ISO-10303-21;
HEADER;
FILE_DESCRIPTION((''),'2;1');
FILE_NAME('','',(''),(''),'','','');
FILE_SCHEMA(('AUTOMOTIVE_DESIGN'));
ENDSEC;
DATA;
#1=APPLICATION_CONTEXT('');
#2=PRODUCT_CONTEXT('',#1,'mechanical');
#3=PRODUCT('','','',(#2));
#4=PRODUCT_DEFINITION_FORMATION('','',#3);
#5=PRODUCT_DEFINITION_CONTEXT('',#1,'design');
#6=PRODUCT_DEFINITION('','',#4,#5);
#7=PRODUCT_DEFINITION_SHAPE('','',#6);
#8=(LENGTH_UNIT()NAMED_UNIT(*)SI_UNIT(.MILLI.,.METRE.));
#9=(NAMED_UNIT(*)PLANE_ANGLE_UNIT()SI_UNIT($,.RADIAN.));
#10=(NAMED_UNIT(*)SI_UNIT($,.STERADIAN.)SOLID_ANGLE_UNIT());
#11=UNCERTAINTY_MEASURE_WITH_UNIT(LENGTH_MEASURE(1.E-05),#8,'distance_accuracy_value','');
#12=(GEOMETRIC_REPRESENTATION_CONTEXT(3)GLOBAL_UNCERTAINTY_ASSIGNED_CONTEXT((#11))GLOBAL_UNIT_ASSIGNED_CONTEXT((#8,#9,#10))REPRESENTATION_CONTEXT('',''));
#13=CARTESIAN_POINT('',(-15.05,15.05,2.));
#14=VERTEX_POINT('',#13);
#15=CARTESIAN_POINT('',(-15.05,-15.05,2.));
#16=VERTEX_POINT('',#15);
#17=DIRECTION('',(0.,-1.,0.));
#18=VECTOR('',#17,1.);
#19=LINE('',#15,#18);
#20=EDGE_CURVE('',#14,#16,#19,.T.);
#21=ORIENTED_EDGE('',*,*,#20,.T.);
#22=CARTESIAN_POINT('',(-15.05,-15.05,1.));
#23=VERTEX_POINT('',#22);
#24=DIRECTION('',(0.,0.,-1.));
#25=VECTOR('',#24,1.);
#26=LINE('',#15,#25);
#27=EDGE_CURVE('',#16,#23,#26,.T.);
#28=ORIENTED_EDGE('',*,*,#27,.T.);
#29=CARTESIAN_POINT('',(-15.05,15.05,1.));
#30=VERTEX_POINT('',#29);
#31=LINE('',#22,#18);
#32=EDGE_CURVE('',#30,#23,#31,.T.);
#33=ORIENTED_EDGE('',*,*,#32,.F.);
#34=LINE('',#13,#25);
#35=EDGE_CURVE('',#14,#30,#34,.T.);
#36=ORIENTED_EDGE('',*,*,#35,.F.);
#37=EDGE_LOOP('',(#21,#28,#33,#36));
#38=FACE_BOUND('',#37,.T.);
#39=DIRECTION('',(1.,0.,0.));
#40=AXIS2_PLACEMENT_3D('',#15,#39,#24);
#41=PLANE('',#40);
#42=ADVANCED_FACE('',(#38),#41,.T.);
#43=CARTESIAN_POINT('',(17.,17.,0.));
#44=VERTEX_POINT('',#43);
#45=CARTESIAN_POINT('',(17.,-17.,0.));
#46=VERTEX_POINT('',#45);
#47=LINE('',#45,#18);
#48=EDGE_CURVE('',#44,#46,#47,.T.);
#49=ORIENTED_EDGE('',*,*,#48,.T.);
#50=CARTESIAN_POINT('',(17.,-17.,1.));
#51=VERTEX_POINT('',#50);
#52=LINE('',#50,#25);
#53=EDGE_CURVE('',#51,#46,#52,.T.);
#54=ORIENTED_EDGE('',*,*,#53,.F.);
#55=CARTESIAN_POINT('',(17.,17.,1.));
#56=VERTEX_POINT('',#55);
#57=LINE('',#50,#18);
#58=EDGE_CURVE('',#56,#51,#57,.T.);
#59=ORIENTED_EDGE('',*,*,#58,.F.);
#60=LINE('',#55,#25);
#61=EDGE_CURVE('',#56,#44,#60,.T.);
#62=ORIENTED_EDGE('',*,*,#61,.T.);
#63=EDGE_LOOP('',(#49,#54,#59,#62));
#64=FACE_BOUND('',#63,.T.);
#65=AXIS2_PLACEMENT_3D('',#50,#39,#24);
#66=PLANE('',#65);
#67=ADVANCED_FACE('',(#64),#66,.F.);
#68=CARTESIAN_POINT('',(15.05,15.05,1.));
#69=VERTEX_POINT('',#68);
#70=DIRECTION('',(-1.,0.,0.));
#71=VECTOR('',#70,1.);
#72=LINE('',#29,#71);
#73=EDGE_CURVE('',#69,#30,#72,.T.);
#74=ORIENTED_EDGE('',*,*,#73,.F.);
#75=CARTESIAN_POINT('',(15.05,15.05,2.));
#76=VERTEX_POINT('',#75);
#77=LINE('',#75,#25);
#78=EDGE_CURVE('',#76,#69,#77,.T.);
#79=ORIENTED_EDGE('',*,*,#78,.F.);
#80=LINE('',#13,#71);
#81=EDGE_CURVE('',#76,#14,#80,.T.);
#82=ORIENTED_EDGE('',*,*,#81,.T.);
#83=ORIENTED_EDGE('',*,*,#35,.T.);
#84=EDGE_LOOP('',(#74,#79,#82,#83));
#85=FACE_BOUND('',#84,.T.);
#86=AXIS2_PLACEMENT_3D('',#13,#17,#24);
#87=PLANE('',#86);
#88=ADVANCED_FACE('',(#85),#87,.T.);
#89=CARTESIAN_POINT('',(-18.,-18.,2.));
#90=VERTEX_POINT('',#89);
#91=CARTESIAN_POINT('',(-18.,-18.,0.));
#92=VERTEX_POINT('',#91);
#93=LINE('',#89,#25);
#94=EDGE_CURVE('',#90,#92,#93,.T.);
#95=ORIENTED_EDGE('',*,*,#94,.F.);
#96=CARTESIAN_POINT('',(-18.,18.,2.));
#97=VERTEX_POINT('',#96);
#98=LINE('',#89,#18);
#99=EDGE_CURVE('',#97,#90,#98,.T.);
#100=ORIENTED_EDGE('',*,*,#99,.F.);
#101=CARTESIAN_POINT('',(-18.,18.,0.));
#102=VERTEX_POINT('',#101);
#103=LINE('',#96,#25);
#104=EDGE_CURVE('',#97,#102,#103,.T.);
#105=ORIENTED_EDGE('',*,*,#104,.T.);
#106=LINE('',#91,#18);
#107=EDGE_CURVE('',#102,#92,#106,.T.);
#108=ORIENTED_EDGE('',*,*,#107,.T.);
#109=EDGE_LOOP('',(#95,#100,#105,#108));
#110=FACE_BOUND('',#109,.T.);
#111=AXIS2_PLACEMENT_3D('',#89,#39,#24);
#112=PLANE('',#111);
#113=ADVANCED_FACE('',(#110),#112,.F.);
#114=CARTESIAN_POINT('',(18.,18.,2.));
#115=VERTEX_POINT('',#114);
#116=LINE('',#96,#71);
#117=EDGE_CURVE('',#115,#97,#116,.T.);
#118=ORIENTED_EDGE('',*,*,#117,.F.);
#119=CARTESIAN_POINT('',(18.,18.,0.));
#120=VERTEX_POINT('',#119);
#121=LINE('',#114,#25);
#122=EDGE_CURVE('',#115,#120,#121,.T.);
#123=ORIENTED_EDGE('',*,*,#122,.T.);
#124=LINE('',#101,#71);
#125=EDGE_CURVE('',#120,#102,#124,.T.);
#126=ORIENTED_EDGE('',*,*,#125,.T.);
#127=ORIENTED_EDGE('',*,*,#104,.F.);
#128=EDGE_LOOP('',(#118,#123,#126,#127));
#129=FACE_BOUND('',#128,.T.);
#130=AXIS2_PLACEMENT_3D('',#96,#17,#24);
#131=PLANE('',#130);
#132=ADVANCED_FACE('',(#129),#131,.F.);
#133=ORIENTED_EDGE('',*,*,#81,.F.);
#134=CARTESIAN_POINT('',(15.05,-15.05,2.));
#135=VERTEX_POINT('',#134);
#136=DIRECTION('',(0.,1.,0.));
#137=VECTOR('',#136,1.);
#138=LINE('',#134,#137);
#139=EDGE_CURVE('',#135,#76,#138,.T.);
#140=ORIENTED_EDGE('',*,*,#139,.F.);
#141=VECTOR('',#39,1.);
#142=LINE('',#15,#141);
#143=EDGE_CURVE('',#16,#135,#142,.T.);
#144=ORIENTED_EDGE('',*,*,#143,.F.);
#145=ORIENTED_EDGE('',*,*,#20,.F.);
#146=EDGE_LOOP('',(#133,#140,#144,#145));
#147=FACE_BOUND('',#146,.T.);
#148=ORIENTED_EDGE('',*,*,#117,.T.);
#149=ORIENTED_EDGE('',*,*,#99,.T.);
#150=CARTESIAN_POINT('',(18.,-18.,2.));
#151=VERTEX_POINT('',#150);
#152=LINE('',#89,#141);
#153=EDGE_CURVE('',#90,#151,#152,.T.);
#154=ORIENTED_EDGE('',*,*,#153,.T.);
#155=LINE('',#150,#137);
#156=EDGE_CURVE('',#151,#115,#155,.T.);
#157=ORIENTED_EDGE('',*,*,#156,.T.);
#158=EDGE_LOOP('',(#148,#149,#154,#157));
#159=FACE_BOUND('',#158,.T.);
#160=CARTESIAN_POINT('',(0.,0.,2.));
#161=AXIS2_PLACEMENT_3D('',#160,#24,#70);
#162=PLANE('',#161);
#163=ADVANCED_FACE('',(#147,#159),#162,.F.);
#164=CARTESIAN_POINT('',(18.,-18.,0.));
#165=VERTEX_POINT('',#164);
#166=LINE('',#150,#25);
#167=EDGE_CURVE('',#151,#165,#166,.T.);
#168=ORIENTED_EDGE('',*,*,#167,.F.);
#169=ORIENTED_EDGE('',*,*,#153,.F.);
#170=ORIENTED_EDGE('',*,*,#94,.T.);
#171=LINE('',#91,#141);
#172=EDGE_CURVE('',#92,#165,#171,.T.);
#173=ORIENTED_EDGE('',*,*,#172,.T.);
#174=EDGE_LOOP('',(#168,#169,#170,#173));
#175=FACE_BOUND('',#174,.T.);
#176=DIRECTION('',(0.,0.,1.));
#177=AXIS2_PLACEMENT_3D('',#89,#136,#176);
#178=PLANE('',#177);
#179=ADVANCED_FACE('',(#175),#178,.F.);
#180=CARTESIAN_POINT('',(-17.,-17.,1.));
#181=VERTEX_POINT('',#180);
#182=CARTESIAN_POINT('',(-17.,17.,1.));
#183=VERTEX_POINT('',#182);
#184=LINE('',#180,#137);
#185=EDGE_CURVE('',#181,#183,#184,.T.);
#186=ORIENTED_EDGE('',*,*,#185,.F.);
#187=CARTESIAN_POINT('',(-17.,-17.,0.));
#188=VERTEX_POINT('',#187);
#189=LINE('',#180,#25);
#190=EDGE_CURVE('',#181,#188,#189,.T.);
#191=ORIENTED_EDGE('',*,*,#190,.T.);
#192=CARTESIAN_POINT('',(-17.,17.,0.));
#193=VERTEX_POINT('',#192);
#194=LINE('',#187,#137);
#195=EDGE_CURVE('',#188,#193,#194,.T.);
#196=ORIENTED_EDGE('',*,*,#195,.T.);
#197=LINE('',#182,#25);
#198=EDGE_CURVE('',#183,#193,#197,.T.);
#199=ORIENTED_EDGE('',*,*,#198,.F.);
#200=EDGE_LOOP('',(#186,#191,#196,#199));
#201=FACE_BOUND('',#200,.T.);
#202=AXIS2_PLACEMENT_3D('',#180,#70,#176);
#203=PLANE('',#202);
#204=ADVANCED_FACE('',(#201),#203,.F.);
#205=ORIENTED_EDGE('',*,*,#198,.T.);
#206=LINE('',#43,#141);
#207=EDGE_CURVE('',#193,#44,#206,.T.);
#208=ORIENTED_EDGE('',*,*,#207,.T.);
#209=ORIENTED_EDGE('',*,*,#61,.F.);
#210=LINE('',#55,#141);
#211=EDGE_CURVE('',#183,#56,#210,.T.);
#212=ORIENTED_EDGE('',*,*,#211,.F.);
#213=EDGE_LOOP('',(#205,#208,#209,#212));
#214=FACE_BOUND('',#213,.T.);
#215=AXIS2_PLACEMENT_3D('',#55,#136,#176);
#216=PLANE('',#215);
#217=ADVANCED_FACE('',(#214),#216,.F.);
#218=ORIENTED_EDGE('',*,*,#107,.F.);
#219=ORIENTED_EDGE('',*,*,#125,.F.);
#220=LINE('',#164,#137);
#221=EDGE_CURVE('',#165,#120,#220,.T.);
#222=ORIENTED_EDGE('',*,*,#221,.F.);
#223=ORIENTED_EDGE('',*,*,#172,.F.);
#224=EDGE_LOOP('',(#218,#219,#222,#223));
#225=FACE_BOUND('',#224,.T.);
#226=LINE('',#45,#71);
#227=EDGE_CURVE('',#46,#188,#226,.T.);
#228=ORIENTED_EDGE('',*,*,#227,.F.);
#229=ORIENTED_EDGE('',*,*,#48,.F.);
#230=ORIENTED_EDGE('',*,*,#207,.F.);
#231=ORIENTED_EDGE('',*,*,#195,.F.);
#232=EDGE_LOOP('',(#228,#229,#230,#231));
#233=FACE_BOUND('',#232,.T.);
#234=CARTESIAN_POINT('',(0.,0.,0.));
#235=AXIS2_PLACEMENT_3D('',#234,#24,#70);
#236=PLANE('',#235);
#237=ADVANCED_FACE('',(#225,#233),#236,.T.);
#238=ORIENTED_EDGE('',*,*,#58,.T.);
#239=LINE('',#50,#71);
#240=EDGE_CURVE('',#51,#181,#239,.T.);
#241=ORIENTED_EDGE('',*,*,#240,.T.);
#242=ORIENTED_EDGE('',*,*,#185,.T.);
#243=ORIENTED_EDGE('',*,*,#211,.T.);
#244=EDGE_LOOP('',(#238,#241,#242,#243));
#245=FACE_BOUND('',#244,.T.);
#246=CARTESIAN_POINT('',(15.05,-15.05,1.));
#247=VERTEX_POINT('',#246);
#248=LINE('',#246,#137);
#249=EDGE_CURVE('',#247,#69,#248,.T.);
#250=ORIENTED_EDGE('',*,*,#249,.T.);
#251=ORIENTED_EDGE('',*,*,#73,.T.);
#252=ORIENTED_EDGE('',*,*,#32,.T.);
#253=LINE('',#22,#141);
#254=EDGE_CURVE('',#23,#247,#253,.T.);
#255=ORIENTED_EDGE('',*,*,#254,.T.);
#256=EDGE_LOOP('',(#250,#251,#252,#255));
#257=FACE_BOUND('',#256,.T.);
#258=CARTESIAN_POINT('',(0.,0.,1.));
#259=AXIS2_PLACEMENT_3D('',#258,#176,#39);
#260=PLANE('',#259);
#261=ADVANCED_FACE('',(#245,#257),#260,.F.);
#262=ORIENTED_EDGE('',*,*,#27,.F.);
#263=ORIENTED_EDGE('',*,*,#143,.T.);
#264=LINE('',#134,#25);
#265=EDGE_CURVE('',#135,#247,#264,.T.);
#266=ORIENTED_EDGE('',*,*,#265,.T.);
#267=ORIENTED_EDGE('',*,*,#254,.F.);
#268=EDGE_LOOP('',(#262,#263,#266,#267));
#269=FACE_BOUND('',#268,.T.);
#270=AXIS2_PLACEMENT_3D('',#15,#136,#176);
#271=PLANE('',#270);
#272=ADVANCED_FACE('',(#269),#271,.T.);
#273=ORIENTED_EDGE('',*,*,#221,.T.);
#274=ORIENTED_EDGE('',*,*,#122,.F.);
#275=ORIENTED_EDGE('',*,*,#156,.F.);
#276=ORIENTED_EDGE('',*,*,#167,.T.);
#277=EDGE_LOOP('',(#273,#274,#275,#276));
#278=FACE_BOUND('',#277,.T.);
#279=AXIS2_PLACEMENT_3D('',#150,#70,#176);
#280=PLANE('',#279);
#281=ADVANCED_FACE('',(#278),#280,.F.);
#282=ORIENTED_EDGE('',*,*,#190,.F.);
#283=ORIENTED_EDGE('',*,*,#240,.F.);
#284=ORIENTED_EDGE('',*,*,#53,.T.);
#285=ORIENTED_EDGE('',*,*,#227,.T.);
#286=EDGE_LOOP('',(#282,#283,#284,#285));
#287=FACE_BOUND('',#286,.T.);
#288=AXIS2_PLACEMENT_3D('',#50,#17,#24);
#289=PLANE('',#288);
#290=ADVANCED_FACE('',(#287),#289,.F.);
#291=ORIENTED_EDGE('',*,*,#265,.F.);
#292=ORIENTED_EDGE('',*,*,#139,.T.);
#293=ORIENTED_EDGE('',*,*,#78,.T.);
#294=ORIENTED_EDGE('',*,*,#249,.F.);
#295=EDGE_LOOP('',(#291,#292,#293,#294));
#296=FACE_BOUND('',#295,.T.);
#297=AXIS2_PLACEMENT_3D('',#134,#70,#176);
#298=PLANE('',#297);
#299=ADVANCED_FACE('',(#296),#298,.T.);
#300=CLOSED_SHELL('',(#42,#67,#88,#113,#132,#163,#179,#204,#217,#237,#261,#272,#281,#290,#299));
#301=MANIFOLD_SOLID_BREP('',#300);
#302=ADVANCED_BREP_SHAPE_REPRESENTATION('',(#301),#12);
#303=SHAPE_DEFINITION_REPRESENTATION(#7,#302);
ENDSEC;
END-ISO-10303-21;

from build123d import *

# Parameters (mm, degrees)
ESQUISSE1_W             = 36
ESQUISSE1_H             = 36
ESQUISSE1_W_2           = 30.1
ESQUISSE1_H_2           = 30.1
BOSS_EXTRU_1_DEPTH      = 2
ESQUISSE2_W             = 34
ESQUISSE2_H             = 34
ENL_V_MAT_EXTRU_1_DEPTH = 1


with BuildPart() as part:
    # Esquisse1 → Boss.-Extru.1 (new body)
    with BuildSketch(Plane.XY):
        Rectangle(ESQUISSE1_W, ESQUISSE1_H)
        Rectangle(ESQUISSE1_W_2, ESQUISSE1_H_2, mode=Mode.SUBTRACT)
    extrude(amount=BOSS_EXTRU_1_DEPTH)

    # Esquisse2 → Enlèv. mat.-Extru.1 (cut)
    with BuildSketch(Plane(origin=(0, 0, 0), x_dir=(-1, 0, 0), z_dir=(0, 0, -1))):
        Rectangle(ESQUISSE2_W, ESQUISSE2_H)
    extrude(amount=-ENL_V_MAT_EXTRU_1_DEPTH, mode=Mode.SUBTRACT)


solid = part.part
